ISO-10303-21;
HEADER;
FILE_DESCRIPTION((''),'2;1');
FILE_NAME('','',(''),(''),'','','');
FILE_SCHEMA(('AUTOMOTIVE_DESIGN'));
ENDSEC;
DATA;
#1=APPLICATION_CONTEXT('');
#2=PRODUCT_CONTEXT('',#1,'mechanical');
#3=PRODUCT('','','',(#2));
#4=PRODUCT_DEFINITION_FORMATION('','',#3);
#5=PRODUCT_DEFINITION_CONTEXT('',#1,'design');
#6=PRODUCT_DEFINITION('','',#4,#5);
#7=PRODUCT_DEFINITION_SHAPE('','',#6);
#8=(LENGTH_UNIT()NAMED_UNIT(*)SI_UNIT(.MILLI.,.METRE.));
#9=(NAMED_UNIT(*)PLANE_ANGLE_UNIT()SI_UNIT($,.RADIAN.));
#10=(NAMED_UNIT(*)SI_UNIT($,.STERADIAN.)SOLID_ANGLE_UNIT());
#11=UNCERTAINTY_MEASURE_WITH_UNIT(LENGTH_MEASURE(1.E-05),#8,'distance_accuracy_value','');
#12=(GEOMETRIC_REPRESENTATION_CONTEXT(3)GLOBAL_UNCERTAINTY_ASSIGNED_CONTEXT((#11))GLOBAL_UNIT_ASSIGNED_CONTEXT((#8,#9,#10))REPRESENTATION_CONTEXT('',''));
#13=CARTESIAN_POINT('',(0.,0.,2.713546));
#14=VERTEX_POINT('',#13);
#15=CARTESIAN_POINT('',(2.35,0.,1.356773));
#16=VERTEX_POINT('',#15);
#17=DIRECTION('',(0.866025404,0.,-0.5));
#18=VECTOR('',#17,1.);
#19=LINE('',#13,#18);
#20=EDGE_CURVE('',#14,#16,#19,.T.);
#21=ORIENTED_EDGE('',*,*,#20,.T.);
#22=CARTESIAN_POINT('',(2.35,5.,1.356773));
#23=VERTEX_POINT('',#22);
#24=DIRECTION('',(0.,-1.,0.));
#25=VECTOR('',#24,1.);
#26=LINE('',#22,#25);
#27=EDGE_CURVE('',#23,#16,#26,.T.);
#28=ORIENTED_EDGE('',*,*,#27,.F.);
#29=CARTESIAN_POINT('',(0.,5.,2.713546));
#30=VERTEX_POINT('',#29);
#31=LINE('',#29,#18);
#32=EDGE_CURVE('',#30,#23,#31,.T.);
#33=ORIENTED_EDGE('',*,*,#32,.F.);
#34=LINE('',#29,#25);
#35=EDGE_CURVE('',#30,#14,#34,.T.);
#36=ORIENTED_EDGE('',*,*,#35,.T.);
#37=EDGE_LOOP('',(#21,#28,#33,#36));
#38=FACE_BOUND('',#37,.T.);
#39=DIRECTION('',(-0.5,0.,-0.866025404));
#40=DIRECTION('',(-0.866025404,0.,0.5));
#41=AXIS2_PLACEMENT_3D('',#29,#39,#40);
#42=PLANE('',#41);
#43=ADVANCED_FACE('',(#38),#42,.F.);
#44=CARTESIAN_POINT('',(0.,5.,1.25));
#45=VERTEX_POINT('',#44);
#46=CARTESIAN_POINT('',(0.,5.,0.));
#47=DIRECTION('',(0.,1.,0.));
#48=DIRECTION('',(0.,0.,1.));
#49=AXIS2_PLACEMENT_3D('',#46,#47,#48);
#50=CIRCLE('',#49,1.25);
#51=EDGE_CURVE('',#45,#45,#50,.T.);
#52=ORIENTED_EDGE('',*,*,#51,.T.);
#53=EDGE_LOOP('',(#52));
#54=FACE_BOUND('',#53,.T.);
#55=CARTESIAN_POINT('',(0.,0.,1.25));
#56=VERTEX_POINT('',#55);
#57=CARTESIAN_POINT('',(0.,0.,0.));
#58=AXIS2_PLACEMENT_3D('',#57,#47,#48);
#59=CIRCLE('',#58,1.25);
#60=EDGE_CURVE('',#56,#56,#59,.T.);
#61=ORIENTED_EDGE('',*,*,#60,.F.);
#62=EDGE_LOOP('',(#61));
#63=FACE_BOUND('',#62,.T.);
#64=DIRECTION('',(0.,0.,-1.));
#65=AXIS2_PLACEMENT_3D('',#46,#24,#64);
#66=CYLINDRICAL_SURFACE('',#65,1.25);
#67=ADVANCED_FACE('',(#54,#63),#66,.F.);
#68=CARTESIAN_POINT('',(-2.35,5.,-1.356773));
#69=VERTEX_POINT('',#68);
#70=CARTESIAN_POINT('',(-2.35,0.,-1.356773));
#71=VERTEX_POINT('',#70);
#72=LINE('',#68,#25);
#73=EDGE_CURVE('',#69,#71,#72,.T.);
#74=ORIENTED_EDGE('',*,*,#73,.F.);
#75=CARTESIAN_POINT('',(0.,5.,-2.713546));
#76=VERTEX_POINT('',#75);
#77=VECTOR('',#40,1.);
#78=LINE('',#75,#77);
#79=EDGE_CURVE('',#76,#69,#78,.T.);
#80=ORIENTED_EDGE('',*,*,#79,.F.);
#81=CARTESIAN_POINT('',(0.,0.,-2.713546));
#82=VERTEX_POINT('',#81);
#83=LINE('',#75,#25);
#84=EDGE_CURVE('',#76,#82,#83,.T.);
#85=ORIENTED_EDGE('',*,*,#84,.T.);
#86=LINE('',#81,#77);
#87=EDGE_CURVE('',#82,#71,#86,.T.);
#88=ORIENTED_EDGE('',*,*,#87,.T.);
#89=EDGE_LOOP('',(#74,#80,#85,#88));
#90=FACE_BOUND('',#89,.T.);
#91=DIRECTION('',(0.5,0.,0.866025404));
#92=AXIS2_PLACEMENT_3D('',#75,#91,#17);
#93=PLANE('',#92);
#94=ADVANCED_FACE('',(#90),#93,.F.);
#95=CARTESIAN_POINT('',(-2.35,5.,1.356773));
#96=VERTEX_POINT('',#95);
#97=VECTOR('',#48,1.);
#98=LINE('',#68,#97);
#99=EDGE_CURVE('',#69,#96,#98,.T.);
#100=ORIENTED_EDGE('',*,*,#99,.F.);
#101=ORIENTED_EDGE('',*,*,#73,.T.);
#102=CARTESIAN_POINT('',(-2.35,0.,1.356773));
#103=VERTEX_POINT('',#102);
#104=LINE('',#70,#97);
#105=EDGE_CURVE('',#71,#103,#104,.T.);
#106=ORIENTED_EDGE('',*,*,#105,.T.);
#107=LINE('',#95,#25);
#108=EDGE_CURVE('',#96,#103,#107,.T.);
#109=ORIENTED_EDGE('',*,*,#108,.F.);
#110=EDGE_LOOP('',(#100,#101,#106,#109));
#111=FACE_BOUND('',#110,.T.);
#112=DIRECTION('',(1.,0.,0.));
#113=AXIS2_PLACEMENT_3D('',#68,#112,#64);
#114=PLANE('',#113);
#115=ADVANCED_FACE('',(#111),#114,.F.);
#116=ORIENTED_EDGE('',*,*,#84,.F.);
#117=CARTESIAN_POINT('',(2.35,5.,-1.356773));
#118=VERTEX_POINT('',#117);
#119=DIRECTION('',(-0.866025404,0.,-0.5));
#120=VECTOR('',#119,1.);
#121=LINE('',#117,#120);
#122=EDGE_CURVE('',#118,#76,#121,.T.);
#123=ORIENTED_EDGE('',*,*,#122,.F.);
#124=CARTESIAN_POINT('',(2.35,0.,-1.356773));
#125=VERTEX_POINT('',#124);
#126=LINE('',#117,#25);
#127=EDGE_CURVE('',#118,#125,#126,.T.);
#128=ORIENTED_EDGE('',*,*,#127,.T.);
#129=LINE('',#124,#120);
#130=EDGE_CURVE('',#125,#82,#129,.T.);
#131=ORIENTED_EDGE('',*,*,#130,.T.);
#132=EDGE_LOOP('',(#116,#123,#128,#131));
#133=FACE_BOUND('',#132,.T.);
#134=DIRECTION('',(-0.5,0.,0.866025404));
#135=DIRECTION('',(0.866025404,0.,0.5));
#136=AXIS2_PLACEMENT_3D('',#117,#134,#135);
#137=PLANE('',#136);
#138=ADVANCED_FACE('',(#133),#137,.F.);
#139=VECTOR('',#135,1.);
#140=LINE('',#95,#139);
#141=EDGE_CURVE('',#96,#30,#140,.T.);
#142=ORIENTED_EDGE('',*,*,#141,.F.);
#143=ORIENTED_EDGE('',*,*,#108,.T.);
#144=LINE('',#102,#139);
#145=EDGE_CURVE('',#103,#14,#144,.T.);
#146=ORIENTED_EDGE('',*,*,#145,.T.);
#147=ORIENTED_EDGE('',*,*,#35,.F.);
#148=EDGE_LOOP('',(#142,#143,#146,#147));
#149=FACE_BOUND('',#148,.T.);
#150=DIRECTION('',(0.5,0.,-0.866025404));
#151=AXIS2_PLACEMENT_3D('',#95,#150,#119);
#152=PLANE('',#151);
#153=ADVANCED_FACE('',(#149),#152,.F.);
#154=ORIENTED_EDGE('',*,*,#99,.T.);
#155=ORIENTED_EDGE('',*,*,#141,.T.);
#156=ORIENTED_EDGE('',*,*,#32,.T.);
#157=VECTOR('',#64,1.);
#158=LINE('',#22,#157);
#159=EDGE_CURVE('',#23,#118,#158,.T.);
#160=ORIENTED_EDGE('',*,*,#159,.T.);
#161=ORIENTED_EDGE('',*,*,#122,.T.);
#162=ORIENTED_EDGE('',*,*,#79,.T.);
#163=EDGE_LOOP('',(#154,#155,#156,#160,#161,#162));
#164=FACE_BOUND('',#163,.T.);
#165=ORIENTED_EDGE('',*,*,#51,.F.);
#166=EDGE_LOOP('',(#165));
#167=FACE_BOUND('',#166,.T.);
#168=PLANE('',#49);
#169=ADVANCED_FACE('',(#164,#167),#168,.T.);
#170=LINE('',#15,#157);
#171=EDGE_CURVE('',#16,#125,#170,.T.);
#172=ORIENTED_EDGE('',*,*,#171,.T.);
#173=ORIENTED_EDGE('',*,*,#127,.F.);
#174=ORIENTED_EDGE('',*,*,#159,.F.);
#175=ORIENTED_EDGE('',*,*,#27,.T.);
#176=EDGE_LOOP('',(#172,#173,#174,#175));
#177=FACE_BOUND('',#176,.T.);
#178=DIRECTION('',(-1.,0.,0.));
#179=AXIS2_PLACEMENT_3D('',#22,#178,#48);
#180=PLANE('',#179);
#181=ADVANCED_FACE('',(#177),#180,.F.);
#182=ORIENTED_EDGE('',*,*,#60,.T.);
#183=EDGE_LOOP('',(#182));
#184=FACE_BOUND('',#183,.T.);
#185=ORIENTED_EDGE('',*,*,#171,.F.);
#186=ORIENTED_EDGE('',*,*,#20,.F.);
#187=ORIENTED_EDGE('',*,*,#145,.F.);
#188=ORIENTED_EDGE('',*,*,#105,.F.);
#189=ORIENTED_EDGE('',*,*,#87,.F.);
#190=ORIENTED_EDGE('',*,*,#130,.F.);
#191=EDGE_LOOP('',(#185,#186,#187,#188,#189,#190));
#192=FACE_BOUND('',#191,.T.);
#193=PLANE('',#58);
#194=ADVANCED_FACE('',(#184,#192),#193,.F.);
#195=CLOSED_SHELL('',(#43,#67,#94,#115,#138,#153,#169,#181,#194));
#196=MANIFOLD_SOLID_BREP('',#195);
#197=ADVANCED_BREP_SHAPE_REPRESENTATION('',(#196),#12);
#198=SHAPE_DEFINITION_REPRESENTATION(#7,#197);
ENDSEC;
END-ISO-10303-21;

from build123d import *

# Parameters (mm, degrees)
SKETCH_1_R      = 1.25
EXTRUDE_1_DEPTH = 5


with BuildPart() as part:
    # 草图1 → 凸台-拉伸1 (new body)
    with BuildSketch(Plane(origin=(0, 0, 0), x_dir=(1, 0, 0), z_dir=(0, 1, 0))):
        Polygon((0, 2.713546265), (-2.35, 1.356773133), (-2.35, -1.356773133), (0, -2.713546265), (2.35, -1.356773133), (2.35, 1.356773133), align=None)
        with Locations(Location((0, 0, 0), (0, 0, 270))):
            Circle(SKETCH_1_R, mode=Mode.SUBTRACT)
    extrude(amount=EXTRUDE_1_DEPTH)


solid = part.part
